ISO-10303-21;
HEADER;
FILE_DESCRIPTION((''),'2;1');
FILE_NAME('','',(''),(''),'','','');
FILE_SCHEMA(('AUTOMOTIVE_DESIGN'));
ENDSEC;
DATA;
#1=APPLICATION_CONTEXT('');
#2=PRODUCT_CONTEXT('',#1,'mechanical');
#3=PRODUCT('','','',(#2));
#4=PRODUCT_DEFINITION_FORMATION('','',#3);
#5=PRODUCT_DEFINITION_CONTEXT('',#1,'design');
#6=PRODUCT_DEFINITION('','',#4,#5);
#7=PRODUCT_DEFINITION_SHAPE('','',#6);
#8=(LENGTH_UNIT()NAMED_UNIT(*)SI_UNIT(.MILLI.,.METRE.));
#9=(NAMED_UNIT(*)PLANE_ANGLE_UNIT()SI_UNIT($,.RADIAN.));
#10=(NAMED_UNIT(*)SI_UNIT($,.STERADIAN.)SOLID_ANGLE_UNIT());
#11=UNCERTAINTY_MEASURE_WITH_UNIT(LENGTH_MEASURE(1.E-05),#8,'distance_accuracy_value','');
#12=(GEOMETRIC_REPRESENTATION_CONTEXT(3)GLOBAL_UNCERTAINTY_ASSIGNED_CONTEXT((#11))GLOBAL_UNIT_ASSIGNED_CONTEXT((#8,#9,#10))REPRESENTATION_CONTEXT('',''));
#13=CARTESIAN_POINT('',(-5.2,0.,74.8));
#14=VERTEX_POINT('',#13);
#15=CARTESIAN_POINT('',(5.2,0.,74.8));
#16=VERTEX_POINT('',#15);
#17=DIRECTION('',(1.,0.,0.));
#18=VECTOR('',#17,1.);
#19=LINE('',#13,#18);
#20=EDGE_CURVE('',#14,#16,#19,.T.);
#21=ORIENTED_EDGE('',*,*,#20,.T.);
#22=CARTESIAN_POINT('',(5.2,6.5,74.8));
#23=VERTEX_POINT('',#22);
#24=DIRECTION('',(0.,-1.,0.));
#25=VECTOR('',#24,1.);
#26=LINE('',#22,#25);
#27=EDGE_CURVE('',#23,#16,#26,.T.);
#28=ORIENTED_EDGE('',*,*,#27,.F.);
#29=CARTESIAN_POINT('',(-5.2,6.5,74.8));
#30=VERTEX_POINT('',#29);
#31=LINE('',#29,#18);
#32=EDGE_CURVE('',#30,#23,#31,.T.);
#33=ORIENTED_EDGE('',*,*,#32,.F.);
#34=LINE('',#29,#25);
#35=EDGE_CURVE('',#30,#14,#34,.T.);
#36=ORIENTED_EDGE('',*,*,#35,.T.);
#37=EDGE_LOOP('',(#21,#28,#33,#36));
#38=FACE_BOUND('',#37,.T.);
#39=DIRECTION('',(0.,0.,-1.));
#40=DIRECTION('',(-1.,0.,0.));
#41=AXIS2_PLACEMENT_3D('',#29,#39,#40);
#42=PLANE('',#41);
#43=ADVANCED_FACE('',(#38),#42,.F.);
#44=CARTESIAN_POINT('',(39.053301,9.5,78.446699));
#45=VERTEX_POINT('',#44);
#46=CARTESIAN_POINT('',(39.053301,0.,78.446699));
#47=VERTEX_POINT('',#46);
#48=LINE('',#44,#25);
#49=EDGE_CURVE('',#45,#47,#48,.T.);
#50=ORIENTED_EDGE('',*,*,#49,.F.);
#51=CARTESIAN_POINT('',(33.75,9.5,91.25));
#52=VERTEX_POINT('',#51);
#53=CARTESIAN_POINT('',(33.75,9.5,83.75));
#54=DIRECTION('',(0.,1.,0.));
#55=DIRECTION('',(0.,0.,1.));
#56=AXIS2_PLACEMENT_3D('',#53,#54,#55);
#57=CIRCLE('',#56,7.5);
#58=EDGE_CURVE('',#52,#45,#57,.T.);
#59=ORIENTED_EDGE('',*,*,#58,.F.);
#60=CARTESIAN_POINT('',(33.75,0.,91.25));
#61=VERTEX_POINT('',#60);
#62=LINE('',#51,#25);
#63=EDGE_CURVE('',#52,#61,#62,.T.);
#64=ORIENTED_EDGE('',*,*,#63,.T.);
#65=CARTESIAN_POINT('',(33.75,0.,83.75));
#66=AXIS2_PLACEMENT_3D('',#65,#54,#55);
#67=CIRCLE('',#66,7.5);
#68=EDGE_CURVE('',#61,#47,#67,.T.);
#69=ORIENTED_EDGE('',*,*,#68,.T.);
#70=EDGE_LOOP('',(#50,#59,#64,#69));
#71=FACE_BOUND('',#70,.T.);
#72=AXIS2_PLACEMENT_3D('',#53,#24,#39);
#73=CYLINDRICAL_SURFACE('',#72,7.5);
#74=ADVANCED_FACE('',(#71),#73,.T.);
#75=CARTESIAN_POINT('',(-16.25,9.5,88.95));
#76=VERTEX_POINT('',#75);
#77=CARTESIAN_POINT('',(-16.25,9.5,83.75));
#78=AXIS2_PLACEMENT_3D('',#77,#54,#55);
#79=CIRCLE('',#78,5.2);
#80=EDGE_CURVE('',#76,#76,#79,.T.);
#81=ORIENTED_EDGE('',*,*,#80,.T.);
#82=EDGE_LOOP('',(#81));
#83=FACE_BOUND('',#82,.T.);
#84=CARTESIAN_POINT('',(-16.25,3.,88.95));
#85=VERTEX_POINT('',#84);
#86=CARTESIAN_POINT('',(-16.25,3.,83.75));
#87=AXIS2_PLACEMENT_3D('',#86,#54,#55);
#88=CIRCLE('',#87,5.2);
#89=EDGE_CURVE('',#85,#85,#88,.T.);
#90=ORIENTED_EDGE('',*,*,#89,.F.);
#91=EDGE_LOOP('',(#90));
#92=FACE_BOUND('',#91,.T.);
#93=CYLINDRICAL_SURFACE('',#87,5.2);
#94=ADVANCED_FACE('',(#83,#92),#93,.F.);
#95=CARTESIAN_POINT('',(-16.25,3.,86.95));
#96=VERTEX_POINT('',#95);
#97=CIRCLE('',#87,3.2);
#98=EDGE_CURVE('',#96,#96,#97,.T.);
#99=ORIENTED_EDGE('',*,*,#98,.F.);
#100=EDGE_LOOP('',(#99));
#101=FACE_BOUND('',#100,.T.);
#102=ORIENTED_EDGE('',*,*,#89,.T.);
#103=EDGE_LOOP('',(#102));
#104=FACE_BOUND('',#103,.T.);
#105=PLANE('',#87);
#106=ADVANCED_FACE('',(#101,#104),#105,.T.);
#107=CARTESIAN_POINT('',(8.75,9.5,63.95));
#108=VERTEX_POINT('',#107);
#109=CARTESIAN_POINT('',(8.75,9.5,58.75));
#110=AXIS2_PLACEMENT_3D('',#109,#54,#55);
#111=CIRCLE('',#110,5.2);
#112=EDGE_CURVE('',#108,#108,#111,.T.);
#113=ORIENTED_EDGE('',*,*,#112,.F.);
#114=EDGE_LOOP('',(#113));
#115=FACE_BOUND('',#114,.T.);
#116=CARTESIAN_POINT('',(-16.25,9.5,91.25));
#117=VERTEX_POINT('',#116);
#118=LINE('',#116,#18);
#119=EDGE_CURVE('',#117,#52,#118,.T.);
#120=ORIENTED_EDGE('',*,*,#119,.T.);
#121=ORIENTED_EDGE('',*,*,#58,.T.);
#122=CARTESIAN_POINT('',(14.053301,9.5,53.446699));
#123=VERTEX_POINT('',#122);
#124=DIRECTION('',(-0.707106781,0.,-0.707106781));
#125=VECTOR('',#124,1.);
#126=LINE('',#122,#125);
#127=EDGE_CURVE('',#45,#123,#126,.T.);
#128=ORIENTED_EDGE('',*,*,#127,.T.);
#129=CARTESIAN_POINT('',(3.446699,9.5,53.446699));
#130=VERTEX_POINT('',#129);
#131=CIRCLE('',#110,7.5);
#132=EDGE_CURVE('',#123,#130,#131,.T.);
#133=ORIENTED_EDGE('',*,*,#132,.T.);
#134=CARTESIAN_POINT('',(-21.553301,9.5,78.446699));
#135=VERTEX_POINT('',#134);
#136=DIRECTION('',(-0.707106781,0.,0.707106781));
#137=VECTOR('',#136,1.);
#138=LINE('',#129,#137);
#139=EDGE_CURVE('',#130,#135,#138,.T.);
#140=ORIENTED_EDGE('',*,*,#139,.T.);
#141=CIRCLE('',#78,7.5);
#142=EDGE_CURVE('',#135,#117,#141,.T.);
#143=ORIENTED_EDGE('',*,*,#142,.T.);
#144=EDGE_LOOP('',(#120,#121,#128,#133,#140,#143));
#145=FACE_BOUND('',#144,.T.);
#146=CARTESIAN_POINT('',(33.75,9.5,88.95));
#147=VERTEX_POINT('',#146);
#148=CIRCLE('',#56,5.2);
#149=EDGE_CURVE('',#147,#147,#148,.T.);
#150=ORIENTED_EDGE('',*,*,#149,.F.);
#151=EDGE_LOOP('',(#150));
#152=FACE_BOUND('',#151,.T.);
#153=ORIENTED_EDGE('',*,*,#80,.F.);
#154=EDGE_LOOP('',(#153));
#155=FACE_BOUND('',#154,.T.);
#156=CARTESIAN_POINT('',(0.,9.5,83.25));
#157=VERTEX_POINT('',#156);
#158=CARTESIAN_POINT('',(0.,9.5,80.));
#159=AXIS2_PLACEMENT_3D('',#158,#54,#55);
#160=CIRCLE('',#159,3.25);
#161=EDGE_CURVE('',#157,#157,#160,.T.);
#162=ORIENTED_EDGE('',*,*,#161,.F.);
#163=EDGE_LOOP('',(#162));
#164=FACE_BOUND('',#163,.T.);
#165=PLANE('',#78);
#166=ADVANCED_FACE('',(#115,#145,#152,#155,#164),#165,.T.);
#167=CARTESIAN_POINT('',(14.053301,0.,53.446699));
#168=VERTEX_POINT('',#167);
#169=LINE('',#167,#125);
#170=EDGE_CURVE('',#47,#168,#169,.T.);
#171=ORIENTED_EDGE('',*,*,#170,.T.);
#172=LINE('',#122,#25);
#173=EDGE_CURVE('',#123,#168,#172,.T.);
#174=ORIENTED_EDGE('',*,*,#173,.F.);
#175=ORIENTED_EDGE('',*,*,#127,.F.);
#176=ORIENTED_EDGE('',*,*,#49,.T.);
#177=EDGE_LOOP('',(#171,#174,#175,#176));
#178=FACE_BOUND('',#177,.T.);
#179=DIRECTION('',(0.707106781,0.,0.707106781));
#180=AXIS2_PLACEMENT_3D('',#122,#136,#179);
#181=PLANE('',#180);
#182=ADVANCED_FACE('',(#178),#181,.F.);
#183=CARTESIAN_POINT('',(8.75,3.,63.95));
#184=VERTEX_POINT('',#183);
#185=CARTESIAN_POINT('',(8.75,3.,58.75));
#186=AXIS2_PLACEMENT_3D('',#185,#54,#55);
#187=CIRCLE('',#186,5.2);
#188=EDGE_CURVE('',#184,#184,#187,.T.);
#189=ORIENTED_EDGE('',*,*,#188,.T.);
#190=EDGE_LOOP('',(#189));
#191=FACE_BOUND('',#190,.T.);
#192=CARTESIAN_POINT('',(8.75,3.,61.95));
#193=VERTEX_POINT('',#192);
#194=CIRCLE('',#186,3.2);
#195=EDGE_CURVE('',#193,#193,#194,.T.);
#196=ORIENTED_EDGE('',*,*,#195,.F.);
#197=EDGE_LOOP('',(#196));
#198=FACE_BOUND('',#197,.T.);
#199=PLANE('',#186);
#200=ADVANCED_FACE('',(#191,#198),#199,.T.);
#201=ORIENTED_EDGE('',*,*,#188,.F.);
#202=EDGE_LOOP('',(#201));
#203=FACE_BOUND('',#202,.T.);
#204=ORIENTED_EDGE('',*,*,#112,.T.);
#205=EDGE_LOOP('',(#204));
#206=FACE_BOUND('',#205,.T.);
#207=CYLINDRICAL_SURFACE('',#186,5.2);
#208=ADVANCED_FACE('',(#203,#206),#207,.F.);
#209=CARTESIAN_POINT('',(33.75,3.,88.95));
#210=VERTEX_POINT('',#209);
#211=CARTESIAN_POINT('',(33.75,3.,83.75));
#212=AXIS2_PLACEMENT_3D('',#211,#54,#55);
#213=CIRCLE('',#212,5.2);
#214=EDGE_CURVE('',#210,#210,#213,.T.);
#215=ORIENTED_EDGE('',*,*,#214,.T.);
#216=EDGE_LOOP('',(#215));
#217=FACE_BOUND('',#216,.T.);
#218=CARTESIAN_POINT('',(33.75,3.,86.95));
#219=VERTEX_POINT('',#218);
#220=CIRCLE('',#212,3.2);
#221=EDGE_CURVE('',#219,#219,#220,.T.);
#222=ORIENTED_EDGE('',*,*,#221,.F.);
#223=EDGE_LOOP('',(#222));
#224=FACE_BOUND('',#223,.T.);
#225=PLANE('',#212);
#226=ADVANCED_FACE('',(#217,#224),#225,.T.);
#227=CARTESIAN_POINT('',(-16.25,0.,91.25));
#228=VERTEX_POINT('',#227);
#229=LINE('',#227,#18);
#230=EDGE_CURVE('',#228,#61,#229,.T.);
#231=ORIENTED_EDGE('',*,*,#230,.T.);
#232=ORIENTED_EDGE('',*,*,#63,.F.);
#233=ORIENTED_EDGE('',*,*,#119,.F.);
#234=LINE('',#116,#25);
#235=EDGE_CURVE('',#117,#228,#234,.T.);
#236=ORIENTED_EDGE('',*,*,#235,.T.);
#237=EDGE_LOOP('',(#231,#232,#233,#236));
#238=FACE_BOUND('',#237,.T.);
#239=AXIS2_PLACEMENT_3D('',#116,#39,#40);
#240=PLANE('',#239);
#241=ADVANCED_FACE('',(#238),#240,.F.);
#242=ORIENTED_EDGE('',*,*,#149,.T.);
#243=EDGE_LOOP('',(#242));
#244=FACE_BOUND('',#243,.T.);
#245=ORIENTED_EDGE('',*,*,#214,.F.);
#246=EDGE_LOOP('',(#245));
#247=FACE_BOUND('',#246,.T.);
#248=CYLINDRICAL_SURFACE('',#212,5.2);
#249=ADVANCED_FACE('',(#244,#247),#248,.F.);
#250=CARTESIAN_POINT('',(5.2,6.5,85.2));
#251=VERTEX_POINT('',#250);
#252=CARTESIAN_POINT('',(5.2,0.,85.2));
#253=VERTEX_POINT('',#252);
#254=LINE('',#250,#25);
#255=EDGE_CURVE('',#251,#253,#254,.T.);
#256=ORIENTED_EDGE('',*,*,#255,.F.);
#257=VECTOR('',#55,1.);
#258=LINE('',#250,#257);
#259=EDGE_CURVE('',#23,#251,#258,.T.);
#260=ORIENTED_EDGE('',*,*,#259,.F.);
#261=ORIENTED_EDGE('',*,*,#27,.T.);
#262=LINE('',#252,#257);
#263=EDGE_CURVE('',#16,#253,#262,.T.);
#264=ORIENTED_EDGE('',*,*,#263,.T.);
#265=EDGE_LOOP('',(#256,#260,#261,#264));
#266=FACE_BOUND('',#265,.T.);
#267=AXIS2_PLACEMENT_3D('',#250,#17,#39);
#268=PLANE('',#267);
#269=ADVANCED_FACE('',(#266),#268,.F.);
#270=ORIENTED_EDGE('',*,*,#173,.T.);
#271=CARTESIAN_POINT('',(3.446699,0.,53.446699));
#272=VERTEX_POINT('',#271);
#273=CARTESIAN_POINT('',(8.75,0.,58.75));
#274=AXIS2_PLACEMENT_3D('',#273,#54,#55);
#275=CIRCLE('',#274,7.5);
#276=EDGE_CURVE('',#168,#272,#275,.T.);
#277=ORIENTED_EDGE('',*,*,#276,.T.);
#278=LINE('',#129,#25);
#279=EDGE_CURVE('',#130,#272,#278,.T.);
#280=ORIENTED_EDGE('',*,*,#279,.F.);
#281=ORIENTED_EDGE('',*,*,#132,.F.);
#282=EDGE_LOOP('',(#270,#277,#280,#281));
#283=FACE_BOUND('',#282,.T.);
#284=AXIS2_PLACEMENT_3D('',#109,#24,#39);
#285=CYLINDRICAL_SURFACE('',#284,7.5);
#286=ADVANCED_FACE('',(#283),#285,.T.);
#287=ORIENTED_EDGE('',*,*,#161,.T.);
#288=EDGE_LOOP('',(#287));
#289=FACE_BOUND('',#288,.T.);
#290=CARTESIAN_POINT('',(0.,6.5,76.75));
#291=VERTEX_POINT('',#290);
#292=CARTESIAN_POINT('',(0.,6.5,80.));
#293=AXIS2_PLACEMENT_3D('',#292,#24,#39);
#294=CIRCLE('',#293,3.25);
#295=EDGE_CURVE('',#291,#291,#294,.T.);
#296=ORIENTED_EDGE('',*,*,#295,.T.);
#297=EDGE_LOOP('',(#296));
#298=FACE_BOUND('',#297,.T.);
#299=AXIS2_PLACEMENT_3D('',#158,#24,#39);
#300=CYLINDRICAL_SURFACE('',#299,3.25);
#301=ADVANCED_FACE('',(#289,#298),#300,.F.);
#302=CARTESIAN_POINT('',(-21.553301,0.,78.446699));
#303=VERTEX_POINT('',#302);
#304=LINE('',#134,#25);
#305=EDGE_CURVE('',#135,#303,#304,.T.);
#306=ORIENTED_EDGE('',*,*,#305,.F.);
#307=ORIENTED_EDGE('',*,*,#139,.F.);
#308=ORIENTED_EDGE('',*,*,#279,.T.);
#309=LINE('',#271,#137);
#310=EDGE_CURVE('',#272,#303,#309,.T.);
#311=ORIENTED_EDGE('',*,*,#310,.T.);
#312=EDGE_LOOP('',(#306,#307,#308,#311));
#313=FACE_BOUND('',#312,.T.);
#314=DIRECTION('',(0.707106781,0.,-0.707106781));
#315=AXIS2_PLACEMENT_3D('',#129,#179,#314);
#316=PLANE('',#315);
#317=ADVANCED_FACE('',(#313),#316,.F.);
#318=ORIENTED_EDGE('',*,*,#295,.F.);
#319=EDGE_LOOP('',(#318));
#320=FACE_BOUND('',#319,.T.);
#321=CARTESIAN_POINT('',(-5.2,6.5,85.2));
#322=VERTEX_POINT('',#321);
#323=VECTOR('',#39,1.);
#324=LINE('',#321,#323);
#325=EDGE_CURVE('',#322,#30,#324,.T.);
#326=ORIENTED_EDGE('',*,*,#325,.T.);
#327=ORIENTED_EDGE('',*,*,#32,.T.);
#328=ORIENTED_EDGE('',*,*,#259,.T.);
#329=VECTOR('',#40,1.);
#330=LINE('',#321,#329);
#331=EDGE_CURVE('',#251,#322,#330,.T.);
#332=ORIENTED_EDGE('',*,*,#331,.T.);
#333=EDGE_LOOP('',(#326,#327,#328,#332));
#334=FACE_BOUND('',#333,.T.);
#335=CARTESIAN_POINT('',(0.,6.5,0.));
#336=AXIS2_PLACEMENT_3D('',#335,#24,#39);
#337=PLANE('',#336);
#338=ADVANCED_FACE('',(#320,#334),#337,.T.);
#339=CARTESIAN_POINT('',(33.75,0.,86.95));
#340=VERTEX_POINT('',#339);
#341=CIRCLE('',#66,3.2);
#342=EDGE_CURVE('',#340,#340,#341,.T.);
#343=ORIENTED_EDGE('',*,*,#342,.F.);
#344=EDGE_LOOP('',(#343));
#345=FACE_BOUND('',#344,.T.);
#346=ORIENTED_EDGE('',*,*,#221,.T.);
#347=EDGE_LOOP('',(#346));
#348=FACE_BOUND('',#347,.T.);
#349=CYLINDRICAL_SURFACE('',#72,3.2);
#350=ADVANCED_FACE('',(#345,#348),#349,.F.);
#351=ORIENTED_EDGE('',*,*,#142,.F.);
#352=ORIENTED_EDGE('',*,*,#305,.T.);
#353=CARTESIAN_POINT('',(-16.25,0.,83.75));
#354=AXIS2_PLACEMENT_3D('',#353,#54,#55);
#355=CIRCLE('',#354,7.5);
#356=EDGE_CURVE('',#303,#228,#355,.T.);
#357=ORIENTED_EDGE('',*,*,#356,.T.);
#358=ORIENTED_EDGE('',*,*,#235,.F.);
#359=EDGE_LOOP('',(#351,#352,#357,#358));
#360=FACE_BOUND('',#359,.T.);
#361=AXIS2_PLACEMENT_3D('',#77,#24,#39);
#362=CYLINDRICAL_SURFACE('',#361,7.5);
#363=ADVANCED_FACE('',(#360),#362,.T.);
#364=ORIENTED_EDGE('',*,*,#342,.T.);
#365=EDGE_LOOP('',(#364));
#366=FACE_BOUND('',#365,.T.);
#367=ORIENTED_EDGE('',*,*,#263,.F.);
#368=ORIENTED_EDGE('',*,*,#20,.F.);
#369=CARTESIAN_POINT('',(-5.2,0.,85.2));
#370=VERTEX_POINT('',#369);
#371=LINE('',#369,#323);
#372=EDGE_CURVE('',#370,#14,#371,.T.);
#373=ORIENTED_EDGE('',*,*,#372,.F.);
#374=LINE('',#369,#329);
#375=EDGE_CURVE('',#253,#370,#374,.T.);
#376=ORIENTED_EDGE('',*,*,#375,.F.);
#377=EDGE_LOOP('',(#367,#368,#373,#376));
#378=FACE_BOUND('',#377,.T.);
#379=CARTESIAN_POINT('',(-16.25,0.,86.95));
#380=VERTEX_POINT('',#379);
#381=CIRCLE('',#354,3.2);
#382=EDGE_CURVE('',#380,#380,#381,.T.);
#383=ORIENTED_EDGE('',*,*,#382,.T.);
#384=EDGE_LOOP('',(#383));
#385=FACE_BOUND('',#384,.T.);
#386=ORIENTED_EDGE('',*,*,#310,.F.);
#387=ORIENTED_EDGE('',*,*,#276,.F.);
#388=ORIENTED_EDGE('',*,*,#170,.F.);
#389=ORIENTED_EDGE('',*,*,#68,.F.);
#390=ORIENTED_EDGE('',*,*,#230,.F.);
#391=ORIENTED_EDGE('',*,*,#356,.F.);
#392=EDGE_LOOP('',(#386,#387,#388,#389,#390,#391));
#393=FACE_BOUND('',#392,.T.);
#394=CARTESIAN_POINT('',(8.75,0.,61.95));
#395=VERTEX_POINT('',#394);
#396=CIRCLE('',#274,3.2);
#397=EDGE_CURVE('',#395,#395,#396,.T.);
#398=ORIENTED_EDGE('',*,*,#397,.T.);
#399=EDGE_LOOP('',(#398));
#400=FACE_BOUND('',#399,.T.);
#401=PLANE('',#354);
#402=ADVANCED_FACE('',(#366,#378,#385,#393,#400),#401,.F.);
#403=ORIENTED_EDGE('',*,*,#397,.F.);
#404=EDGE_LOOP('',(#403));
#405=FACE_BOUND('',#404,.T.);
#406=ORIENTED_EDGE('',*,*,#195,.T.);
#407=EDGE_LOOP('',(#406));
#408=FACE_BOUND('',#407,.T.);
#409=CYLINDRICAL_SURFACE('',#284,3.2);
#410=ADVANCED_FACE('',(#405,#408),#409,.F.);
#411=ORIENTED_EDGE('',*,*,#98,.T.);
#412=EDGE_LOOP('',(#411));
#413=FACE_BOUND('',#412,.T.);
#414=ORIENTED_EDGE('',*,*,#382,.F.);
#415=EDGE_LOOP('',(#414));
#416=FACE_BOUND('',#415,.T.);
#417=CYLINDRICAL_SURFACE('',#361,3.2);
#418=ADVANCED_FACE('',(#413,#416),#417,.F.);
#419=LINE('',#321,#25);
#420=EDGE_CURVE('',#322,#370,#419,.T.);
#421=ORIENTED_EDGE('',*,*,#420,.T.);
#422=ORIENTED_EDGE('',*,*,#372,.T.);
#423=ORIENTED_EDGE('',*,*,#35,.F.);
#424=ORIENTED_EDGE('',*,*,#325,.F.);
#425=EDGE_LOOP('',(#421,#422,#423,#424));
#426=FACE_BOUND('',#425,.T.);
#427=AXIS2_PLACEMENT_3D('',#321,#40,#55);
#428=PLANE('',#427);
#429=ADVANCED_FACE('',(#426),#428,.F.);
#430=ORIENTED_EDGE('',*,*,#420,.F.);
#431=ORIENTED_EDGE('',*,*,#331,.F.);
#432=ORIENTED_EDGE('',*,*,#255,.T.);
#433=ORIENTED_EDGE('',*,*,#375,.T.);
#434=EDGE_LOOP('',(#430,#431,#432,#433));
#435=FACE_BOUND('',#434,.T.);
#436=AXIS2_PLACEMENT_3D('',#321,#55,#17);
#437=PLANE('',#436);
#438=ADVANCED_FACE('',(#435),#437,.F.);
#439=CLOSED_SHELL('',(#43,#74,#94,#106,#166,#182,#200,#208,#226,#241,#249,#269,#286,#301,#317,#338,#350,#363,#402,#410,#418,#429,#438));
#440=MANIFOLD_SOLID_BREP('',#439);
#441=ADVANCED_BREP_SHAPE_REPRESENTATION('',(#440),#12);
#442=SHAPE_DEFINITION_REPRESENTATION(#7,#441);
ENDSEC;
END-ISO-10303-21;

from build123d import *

# Parameters (mm, degrees)
SKETCH_1_R          = 3.25
SKETCH_1_R_2        = 3.2
EXTRUDE_1_DEPTH     = 9.5
SKETCH_2_R          = 5.2
CUT_EXTRUDE_1_DEPTH = 6.5
SKETCH_3_W          = 10.4
SKETCH_3_H          = 10.4
SKETCH_3_R          = 3.25
CUT_EXTRUDE_2_DEPTH = 6.5


with BuildPart() as part:
    # 스케치1 → 보스-돌출1 (new body)
    with BuildSketch(Plane(origin=(0, 0, 0), x_dir=(1, 0, 0), z_dir=(0, 1, 0))):
        with BuildLine():
            Line((3.446699141, -53.446699141), (-21.553300859, -78.446699141))
            ThreePointArc((-21.553300859, -78.446699141), (-23.179096494, -86.620125743), (-16.25, -91.25))
            Line((-16.25, -91.25), (33.75, -91.25))
            ThreePointArc((33.75, -91.25), (40.679096494, -86.620125743), (39.053300859, -78.446699141))
            Line((39.053300859, -78.446699141), (14.053300859, -53.446699141))
            ThreePointArc((14.053300859, -53.446699141), (8.75, -51.25), (3.446699141, -53.446699141))
        make_face()
        with Locations((0, -80)):
            Circle(SKETCH_1_R, mode=Mode.SUBTRACT)
        with Locations((-16.25, -83.75)):
            Circle(SKETCH_1_R_2, mode=Mode.SUBTRACT)
        with Locations((8.75, -58.75)):
            Circle(SKETCH_1_R_2, mode=Mode.SUBTRACT)
        with Locations((33.75, -83.75)):
            Circle(SKETCH_1_R_2, mode=Mode.SUBTRACT)
    extrude(amount=EXTRUDE_1_DEPTH)

    # 스케치2 → 컷-돌출1 (cut)
    with BuildSketch(Plane(origin=(0, 9.5, 0), x_dir=(1, 0, 0), z_dir=(0, 1, 0))):
        with Locations((8.75, -58.75)):
            Circle(SKETCH_2_R)
        with Locations((33.75, -83.75)):
            Circle(SKETCH_2_R)
        with Locations((-16.25, -83.75)):
            Circle(SKETCH_2_R)
    extrude(amount=-CUT_EXTRUDE_1_DEPTH, mode=Mode.SUBTRACT)

    # 스케치3 → 컷-돌출2 (cut)
    with BuildSketch(Plane.XZ):
        with Locations((0, 80)):
            Rectangle(SKETCH_3_W, SKETCH_3_H)
        with Locations((0, 80)):
            Circle(SKETCH_3_R, mode=Mode.SUBTRACT)
    extrude(amount=-CUT_EXTRUDE_2_DEPTH, mode=Mode.SUBTRACT)


solid = part.part
